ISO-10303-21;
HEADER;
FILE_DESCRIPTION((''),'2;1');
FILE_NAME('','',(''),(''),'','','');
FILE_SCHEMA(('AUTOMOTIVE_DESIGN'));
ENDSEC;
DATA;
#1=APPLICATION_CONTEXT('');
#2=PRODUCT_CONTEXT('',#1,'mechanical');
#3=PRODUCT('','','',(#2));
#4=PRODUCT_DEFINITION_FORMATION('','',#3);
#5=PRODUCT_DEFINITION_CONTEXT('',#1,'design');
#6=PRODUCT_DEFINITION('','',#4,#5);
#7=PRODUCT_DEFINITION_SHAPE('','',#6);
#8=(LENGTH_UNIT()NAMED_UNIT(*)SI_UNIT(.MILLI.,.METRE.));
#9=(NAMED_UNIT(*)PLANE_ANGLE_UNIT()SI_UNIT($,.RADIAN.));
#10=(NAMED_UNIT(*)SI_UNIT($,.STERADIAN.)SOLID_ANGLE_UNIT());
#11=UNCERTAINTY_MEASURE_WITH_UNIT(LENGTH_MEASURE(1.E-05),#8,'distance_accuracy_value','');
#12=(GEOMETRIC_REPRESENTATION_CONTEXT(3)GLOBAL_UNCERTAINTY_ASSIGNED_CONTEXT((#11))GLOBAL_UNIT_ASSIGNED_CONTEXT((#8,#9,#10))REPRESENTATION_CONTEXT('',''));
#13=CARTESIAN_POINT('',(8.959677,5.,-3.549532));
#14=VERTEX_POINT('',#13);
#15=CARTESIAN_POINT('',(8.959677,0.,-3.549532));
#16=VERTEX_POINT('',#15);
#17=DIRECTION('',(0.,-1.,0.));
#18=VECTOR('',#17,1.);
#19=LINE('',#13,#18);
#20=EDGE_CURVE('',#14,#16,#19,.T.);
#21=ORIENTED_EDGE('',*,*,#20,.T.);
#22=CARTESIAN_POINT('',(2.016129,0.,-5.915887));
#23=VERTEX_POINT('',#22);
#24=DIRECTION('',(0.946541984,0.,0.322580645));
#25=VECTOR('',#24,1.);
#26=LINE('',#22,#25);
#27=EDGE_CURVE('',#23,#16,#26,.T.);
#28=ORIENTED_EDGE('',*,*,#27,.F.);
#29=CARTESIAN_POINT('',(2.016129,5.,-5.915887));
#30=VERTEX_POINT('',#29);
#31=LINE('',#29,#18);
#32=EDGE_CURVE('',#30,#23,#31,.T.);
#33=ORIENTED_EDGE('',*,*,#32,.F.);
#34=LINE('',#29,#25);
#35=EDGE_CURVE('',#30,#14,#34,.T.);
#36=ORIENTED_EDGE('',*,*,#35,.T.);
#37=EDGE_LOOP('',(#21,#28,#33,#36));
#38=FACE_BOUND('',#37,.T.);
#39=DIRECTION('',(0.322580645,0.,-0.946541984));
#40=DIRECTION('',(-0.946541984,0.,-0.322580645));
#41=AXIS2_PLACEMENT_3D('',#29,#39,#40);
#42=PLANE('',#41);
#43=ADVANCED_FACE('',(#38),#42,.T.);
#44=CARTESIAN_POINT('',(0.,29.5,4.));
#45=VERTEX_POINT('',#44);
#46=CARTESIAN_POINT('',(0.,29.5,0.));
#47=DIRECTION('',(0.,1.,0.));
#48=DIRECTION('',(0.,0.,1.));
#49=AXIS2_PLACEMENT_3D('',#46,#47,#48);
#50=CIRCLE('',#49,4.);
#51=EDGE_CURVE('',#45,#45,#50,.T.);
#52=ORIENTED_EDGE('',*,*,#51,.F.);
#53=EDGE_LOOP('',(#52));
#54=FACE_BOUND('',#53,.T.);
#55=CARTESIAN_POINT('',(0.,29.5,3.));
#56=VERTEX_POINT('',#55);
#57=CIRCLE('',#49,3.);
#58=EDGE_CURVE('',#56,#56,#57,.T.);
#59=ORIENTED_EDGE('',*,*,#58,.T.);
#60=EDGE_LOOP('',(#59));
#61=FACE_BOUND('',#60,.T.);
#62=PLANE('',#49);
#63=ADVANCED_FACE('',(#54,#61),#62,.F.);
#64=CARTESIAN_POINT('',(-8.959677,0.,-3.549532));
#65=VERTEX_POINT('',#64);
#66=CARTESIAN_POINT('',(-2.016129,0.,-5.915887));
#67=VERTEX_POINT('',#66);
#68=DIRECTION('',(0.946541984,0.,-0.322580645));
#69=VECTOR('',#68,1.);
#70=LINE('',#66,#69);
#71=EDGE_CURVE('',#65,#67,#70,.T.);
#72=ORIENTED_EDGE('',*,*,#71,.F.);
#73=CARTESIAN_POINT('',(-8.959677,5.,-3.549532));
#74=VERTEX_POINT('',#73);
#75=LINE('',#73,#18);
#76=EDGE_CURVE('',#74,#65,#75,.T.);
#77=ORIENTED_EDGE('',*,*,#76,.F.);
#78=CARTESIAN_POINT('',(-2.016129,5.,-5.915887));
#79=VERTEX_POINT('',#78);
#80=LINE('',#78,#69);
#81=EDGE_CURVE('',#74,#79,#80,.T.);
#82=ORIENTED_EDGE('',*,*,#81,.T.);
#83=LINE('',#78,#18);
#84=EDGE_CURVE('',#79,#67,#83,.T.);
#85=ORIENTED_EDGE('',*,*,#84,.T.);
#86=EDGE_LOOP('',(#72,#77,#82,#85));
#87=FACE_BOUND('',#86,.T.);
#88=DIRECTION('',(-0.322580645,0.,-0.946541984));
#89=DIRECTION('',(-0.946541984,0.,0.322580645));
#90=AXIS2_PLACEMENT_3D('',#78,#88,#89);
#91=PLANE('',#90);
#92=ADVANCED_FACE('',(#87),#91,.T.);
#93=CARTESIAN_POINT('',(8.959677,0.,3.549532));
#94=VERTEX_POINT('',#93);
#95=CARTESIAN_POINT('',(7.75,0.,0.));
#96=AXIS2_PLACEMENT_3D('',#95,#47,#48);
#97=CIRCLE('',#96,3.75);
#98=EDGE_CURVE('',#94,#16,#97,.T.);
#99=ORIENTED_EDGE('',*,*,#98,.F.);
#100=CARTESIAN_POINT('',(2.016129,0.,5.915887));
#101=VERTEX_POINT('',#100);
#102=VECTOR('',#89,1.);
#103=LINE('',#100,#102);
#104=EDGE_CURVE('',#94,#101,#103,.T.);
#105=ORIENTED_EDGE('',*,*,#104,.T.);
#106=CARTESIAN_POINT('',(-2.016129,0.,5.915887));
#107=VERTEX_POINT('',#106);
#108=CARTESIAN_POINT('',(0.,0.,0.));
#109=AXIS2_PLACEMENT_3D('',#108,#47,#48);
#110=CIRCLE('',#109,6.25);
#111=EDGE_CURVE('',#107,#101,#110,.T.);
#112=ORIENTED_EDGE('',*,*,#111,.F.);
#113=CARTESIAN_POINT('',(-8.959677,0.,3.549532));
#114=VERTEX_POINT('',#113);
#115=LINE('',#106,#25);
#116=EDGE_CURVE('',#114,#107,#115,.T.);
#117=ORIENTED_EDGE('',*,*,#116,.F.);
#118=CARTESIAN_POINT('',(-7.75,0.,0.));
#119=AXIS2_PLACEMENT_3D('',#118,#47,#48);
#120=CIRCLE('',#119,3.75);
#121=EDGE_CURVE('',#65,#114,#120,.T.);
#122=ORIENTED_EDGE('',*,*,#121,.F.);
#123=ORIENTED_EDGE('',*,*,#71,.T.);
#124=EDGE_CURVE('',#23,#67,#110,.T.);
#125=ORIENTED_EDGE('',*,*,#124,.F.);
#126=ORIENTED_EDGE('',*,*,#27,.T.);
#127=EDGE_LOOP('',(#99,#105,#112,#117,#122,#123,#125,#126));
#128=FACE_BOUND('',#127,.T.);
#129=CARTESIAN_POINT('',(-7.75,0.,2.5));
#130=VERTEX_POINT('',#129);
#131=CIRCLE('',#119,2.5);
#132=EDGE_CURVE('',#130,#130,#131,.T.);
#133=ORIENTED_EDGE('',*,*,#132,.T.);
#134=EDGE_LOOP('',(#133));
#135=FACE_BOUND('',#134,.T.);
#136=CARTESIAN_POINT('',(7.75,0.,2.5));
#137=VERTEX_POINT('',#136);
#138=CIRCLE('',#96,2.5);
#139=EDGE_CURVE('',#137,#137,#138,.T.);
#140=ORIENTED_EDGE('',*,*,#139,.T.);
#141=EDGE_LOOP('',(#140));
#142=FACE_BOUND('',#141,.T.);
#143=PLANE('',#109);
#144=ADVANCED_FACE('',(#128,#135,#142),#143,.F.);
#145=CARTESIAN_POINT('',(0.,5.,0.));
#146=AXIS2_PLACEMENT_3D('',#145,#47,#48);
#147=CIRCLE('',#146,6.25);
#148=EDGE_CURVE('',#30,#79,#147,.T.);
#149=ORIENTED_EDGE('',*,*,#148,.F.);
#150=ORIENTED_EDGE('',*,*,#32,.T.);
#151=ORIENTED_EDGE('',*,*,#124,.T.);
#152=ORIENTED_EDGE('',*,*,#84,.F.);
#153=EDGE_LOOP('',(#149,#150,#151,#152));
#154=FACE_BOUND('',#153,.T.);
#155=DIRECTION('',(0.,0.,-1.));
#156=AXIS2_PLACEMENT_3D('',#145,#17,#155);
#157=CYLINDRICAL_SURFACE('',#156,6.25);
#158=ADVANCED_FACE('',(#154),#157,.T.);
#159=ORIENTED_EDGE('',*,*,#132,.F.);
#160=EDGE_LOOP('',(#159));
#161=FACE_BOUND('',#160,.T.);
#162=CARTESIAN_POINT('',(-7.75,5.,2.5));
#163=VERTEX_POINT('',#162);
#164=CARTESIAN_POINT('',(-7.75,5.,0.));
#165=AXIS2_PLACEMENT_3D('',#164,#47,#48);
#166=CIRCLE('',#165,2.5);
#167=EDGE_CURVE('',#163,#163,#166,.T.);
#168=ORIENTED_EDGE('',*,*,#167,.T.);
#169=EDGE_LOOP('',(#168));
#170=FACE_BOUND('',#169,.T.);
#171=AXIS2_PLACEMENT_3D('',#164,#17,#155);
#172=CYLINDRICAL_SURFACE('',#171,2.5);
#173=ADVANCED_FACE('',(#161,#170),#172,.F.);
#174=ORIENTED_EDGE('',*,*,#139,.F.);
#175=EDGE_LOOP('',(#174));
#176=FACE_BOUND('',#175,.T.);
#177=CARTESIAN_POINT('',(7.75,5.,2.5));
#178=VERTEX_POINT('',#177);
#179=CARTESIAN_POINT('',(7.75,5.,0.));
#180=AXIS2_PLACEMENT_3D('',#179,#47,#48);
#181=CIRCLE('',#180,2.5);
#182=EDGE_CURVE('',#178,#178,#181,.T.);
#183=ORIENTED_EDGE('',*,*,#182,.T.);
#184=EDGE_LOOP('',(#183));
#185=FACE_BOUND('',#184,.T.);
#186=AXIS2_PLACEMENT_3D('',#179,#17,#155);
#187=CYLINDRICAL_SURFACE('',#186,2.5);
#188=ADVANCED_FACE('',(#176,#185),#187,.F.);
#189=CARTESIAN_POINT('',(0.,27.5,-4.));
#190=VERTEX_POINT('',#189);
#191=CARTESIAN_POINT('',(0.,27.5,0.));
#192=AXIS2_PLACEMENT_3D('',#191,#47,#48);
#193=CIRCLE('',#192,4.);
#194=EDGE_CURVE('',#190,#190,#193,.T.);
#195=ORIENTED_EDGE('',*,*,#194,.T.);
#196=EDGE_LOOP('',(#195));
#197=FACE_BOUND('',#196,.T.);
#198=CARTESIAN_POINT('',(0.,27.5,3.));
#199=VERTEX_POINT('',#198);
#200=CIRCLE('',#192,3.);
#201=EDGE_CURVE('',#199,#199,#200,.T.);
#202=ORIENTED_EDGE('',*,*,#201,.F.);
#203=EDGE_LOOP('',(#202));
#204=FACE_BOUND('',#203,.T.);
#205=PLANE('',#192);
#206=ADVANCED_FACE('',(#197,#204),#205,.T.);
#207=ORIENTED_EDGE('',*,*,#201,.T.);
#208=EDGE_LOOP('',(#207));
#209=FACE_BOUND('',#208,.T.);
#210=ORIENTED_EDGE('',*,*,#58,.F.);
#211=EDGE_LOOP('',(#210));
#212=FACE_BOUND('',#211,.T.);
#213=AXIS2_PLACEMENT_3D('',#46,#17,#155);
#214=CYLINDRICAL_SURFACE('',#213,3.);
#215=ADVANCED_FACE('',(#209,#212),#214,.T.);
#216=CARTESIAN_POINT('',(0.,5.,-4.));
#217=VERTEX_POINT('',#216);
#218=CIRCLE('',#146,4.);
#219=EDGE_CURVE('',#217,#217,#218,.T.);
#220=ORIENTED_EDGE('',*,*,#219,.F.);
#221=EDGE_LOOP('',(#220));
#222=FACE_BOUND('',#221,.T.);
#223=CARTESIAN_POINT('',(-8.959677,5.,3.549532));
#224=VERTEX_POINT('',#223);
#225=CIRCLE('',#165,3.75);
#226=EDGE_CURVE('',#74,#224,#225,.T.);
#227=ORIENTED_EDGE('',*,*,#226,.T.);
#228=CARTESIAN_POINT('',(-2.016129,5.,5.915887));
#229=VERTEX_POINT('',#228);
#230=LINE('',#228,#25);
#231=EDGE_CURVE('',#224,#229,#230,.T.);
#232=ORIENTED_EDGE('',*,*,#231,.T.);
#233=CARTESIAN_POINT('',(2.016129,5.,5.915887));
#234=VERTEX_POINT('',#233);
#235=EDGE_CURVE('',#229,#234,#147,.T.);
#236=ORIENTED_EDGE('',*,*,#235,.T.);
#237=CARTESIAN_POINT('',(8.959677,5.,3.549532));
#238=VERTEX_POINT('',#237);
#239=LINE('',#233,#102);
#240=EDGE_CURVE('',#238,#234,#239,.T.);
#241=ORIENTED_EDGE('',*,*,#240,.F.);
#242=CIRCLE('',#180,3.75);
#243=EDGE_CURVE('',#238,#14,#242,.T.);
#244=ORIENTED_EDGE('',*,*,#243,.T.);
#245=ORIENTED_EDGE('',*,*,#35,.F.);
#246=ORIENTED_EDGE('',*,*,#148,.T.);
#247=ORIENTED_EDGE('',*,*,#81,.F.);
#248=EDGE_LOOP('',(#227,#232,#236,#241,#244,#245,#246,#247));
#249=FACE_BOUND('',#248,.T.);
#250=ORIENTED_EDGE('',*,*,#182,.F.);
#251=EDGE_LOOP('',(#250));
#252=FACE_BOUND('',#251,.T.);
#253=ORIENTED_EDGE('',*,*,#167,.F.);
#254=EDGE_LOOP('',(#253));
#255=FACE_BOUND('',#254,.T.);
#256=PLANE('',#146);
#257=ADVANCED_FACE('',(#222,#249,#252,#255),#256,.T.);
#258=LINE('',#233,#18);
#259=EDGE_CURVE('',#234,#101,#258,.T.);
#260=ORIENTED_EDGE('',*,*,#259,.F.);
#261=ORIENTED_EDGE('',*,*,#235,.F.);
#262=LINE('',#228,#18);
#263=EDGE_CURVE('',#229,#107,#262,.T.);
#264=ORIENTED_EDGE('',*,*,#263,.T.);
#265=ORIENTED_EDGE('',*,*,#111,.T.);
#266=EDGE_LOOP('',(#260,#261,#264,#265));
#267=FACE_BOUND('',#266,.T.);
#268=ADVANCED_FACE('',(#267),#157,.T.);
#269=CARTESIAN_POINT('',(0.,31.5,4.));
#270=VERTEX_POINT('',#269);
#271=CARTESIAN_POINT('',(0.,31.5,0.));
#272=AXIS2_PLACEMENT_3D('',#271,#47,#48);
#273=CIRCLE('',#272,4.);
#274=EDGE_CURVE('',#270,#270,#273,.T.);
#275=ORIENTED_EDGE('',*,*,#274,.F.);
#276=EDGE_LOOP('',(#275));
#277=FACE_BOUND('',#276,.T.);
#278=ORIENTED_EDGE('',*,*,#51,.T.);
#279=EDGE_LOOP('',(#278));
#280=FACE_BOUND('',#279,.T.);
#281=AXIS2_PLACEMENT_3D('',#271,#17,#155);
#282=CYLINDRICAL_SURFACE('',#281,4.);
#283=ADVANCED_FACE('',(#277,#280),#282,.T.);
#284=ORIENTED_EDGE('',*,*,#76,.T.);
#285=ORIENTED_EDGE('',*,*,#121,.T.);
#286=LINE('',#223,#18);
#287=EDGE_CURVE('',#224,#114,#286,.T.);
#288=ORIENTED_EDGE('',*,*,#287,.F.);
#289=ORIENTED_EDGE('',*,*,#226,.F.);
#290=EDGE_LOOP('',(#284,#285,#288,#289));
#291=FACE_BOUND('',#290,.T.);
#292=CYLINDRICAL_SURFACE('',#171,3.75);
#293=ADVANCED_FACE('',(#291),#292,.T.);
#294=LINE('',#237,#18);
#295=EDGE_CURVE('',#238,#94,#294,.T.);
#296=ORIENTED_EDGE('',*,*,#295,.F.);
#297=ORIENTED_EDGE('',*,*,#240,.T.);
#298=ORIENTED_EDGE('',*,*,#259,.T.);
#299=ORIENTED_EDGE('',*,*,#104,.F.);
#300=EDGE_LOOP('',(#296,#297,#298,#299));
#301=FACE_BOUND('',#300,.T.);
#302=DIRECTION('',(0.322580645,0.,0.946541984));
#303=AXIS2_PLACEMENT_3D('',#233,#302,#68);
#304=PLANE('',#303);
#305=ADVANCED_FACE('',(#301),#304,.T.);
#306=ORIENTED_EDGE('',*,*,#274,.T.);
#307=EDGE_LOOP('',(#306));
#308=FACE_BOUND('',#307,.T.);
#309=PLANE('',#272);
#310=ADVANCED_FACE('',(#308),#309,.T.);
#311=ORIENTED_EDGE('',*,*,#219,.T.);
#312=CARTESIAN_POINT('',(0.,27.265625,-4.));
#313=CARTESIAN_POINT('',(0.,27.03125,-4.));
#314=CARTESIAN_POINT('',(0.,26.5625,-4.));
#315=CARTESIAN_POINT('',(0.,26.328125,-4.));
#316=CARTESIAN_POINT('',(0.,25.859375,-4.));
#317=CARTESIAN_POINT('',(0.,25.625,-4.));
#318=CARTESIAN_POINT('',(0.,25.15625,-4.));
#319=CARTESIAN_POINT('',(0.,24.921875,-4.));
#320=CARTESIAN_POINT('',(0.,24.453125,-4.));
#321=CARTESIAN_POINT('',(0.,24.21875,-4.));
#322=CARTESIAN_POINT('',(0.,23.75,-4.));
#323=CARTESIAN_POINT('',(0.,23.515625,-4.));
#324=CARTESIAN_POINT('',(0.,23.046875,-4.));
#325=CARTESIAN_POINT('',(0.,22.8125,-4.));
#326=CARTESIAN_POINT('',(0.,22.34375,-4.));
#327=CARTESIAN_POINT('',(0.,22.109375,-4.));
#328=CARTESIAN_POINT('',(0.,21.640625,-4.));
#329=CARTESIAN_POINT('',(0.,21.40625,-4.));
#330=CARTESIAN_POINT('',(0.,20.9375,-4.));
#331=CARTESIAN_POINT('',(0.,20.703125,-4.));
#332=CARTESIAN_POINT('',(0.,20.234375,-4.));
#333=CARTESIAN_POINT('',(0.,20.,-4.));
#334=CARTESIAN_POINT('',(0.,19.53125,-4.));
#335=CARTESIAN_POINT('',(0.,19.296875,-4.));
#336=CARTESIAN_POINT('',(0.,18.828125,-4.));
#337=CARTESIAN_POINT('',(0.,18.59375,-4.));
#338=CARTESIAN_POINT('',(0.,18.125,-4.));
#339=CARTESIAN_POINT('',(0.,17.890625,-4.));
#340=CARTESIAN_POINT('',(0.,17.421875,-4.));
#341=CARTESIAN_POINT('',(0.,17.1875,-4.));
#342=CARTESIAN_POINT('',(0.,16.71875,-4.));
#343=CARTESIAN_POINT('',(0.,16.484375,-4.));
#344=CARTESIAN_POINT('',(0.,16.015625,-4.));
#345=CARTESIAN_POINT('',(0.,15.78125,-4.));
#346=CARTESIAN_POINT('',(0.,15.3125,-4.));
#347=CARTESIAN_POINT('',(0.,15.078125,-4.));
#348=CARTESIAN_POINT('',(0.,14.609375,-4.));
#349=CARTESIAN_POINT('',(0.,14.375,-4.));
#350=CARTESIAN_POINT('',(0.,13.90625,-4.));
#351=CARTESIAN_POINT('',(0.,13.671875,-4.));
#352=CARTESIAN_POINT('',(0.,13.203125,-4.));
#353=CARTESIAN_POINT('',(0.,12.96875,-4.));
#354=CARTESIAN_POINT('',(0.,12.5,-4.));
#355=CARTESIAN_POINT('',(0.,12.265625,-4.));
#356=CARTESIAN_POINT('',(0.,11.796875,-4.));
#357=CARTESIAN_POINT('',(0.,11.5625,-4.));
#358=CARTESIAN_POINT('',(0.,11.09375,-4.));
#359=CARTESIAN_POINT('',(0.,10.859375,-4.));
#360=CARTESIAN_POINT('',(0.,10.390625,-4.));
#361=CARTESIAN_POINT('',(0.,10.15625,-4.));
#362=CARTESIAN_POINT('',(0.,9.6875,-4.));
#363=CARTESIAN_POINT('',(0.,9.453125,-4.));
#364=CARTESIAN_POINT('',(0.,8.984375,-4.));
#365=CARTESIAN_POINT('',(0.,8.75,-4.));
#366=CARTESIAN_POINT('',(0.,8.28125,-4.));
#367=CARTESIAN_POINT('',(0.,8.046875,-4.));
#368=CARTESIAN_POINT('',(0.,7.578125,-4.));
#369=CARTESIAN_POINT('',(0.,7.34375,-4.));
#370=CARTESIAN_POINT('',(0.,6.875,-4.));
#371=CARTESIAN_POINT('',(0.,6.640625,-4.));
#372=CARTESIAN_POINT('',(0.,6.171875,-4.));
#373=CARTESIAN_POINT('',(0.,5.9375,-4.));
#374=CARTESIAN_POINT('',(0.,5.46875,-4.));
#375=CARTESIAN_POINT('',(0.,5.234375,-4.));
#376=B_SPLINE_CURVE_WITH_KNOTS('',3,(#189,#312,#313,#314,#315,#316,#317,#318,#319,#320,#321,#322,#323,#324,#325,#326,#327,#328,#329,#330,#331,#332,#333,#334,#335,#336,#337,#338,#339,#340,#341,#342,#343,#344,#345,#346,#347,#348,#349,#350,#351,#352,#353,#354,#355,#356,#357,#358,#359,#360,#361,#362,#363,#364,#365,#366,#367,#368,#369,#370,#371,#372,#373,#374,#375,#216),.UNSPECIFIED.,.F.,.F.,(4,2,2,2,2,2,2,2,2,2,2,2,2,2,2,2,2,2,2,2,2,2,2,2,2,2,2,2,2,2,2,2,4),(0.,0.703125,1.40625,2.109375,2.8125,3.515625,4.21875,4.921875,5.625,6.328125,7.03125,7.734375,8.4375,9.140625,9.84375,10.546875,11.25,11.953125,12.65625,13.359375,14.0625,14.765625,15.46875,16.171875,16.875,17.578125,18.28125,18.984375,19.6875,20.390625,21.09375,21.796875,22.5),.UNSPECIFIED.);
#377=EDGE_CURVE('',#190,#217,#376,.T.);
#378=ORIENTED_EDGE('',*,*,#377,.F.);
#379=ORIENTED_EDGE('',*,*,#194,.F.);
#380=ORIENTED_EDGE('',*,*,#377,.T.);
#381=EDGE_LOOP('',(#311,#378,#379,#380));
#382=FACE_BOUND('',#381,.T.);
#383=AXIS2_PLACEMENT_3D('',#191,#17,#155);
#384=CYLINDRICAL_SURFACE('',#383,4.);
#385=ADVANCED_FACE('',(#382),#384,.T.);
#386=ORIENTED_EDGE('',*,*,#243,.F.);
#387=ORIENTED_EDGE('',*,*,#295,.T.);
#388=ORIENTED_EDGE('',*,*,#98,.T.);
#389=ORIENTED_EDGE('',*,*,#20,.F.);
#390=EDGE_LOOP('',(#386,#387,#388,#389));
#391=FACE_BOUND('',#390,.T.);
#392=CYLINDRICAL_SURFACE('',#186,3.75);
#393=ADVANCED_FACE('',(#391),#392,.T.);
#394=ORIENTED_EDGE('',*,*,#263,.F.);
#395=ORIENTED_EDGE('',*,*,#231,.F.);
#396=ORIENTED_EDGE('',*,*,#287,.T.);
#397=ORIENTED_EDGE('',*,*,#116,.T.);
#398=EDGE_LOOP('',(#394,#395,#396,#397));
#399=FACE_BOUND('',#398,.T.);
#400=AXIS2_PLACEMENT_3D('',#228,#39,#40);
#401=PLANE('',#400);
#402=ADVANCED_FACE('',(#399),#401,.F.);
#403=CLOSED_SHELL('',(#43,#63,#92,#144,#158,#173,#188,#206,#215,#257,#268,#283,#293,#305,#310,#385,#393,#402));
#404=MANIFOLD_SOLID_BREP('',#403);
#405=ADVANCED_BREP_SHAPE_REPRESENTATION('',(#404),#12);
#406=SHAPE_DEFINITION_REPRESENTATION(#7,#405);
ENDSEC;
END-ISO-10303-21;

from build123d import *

# Parameters (mm, degrees)
SKETCH1_R           = 2.5
BOSS_EXTRUDE1_DEPTH = 5
SKETCH2_R           = 4
BOSS_EXTRUDE2_DEPTH = 22.5
SKETCH3_R           = 3
BOSS_EXTRUDE3_DEPTH = 2
SKETCH4_R           = 4
BOSS_EXTRUDE4_DEPTH = 2


with BuildPart() as part:
    # Sketch1 → Boss-Extrude1 (new body)
    with BuildSketch(Plane(origin=(0, 0, 0), x_dir=(1, 0, 0), z_dir=(0, 1, 0))):
        with BuildLine():
            ThreePointArc((-2.016129032, -5.9158874), (0, -6.25), (2.016129032, -5.9158874))
            Line((2.016129032, -5.9158874), (8.959677419, -3.54953244))
            ThreePointArc((8.959677419, -3.54953244), (11.5, 0), (8.959677419, 3.54953244))
            Line((8.959677419, 3.54953244), (2.016129032, 5.9158874))
            ThreePointArc((2.016129032, 5.9158874), (0, 6.25), (-2.016129032, 5.9158874))
            Line((-2.016129032, 5.9158874), (-8.959677419, 3.54953244))
            ThreePointArc((-8.959677419, 3.54953244), (-11.5, 0), (-8.959677419, -3.54953244))
            Line((-8.959677419, -3.54953244), (-2.016129032, -5.9158874))
        make_face()
        with Locations(Location((-7.75, 0, 0), (0, 0, 270))):
            Circle(SKETCH1_R, mode=Mode.SUBTRACT)
        with Locations(Location((7.75, 0, 0), (0, 0, 270))):
            Circle(SKETCH1_R, mode=Mode.SUBTRACT)
    extrude(amount=BOSS_EXTRUDE1_DEPTH)

    # Sketch2 → Boss-Extrude2 (add)
    with BuildSketch(Plane(origin=(0, 5, 0), x_dir=(1, 0, 0), z_dir=(0, 1, 0))):
        with Locations(Location((0, 0, 0), (0, 0, 90))):
            Circle(SKETCH2_R)
    extrude(amount=BOSS_EXTRUDE2_DEPTH)

    # Sketch3 → Boss-Extrude3 (add)
    with BuildSketch(Plane(origin=(0, 27.5, 0), x_dir=(1, 0, 0), z_dir=(0, 1, 0))):
        with Locations(Location((0, 0, 0), (0, 0, 270))):
            Circle(SKETCH3_R)
    extrude(amount=BOSS_EXTRUDE3_DEPTH)

    # Sketch4 → Boss-Extrude4 (add)
    with BuildSketch(Plane(origin=(0, 29.5, 0), x_dir=(1, 0, 0), z_dir=(0, 1, 0))):
        with Locations(Location((0, 0, 0), (0, 0, 90))):
            Circle(SKETCH4_R)
    extrude(amount=BOSS_EXTRUDE4_DEPTH)


solid = part.part
